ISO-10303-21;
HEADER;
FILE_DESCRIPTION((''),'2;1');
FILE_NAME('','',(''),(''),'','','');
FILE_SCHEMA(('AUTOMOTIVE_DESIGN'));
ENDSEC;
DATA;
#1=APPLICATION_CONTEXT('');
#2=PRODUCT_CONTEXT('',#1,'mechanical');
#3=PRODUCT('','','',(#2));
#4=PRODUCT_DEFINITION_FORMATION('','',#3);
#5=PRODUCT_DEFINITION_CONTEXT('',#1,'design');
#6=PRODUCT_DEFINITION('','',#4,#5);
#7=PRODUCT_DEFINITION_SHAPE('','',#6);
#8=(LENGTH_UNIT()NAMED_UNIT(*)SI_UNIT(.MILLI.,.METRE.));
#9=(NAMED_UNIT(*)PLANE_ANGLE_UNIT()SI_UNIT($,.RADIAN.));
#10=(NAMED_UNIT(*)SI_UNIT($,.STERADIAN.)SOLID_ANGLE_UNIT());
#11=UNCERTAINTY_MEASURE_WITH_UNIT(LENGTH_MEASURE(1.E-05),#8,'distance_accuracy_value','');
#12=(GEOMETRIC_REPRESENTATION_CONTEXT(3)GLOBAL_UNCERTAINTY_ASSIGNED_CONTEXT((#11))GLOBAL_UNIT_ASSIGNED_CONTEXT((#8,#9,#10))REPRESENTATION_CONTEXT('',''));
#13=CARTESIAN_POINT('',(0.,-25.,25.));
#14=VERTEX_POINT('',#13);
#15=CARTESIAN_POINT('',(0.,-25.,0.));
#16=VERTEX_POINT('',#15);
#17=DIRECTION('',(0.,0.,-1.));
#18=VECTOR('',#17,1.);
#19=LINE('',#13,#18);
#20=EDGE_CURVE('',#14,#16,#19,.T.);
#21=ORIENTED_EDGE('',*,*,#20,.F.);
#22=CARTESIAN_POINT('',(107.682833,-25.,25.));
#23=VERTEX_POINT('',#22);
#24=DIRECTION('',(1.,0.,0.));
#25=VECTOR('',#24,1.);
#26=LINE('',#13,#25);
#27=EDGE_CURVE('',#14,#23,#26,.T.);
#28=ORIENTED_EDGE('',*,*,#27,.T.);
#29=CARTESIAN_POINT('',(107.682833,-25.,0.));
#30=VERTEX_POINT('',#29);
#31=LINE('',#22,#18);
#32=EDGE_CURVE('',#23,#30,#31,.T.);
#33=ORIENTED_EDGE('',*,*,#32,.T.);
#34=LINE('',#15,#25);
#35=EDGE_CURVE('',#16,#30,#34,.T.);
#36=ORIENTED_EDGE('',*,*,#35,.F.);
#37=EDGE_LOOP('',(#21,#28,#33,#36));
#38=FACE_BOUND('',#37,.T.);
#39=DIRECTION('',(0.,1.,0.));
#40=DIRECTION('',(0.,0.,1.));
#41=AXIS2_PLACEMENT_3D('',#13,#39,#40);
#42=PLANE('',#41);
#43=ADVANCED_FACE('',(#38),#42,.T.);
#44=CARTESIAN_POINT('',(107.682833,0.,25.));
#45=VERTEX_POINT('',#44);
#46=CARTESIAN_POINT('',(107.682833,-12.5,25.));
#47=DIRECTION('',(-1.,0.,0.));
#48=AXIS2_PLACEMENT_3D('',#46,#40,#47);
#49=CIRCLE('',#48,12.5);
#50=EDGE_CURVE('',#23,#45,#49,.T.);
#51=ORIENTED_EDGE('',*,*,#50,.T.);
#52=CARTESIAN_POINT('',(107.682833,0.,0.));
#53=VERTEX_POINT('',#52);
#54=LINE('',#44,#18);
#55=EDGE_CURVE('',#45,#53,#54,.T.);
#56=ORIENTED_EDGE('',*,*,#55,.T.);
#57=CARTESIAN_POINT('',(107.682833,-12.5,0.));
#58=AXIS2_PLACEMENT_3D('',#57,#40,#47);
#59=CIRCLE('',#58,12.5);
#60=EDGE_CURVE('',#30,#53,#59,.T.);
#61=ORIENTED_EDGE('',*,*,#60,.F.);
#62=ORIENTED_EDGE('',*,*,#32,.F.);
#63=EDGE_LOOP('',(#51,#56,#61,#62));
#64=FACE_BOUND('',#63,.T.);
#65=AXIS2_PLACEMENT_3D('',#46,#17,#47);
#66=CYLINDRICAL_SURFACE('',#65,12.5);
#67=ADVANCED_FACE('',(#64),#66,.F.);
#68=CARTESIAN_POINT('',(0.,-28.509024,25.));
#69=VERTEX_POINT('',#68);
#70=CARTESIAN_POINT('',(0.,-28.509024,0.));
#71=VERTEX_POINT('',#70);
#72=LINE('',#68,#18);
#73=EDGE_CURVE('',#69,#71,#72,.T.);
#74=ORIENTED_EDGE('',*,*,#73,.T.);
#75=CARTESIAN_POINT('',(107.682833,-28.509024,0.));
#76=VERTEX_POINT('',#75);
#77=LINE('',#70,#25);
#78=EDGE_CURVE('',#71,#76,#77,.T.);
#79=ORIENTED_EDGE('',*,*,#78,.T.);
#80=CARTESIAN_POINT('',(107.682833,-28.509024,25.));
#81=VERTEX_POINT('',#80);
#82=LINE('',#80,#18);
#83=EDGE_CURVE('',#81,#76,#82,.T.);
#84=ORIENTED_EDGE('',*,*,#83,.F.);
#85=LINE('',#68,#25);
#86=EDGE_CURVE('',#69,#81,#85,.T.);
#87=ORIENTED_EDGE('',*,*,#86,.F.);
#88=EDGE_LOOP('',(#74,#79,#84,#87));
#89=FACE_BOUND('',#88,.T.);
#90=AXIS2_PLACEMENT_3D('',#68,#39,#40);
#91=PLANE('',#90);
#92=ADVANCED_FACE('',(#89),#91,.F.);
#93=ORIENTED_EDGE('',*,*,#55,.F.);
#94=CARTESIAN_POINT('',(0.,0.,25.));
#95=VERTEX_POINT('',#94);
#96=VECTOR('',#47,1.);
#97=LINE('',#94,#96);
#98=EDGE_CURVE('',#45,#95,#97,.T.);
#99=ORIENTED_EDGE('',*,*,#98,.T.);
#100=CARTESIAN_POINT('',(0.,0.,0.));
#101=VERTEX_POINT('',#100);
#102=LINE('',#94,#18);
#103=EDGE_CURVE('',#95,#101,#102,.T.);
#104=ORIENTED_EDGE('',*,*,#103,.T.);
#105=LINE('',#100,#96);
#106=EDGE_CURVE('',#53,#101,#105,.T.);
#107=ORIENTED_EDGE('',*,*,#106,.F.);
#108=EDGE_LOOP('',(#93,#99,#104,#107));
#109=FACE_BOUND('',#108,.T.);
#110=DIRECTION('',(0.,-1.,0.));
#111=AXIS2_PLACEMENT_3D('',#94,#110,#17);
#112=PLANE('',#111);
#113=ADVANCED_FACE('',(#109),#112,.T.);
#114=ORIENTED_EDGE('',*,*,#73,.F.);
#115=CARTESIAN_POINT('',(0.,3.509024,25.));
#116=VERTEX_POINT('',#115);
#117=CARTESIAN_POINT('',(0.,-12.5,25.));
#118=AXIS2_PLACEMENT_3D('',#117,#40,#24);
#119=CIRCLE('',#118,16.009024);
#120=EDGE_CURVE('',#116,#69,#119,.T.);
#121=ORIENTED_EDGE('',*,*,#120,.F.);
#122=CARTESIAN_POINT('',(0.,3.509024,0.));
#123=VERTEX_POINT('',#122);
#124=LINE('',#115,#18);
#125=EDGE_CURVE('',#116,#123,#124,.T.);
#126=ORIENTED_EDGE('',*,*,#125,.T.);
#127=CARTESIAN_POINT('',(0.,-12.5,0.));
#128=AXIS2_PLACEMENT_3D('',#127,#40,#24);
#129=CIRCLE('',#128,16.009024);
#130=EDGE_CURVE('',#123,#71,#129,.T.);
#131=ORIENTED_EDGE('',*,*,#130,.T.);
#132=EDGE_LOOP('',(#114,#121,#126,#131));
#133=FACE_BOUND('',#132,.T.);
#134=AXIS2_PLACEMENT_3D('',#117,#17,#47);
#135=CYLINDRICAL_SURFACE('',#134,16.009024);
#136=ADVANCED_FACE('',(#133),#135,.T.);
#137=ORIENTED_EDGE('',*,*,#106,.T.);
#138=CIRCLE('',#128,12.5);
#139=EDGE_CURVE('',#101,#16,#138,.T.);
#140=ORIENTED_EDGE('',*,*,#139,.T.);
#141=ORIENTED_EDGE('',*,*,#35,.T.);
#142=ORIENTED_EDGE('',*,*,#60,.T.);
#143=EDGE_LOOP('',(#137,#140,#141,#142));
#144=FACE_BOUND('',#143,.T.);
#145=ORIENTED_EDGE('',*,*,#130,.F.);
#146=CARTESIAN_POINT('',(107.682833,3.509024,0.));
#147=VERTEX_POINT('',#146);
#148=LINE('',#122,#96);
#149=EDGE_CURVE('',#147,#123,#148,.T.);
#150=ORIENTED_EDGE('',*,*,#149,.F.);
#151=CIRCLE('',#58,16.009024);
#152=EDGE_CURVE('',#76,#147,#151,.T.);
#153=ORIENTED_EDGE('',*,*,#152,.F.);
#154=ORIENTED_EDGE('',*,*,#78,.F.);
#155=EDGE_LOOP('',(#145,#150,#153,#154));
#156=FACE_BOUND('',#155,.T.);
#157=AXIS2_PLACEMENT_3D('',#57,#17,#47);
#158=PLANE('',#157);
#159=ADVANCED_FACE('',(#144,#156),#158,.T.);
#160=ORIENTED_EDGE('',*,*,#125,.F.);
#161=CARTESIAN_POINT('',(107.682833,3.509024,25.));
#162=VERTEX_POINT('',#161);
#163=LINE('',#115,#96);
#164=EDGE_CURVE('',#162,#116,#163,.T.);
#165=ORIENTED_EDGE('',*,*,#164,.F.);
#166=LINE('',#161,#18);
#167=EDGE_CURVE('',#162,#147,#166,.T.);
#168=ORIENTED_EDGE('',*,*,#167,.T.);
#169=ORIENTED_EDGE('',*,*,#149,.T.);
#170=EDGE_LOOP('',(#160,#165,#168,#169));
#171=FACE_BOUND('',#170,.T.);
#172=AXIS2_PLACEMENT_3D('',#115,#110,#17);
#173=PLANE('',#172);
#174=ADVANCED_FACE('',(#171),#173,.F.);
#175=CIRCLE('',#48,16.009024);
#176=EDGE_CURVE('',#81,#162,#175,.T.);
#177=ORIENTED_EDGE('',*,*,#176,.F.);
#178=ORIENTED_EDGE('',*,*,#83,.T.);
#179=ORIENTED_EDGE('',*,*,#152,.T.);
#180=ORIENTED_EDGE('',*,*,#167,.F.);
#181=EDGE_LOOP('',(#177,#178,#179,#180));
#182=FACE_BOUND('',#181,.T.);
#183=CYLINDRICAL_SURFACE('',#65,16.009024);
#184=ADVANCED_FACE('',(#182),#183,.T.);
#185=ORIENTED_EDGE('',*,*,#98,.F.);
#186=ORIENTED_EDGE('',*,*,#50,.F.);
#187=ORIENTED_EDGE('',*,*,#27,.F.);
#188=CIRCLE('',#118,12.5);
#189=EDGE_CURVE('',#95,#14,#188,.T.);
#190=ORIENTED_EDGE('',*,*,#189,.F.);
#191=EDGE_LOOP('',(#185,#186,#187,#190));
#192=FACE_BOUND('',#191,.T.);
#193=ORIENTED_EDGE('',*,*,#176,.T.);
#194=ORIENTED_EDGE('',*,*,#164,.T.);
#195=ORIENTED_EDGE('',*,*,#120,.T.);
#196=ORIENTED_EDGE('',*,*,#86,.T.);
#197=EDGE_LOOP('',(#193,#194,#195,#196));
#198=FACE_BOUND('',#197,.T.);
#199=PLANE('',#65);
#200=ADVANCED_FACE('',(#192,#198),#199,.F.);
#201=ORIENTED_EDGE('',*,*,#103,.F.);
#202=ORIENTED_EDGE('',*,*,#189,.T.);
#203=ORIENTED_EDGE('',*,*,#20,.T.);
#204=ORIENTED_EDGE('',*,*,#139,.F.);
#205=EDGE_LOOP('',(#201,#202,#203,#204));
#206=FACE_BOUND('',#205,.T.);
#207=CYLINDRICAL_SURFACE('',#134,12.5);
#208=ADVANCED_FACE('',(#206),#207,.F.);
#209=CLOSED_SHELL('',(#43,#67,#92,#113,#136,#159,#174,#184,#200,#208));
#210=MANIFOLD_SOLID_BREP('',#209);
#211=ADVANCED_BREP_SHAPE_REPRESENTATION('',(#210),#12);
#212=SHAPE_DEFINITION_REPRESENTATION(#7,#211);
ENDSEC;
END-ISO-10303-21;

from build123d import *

# Parameters (mm, degrees)
RESSALTO_EXTRUS_O1_DEPTH = 25


with BuildPart() as part:
    # Esboço1 → Ressalto-extrusão1 (new body)
    with BuildSketch(Plane.XY):
        with BuildLine():
            Line((0, 3.509023642), (107.682833186, 3.509023642))
            ThreePointArc((107.682833186, 3.509023642), (123.691856828, -12.5), (107.682833186, -28.509023642))
            Line((107.682833186, -28.509023642), (0, -28.509023642))
            ThreePointArc((0, -28.509023642), (-16.009023642, -12.5), (0, 3.509023642))
        make_face()
        with BuildLine():
            Line((0, 0), (107.682833186, 0))
            ThreePointArc((107.682833186, 0), (120.182833186, -12.5), (107.682833186, -25))
            Line((107.682833186, -25), (0, -25))
            ThreePointArc((0, -25), (-12.5, -12.5), (0, 0))
        make_face(mode=Mode.SUBTRACT)
    extrude(amount=RESSALTO_EXTRUS_O1_DEPTH)


solid = part.part
